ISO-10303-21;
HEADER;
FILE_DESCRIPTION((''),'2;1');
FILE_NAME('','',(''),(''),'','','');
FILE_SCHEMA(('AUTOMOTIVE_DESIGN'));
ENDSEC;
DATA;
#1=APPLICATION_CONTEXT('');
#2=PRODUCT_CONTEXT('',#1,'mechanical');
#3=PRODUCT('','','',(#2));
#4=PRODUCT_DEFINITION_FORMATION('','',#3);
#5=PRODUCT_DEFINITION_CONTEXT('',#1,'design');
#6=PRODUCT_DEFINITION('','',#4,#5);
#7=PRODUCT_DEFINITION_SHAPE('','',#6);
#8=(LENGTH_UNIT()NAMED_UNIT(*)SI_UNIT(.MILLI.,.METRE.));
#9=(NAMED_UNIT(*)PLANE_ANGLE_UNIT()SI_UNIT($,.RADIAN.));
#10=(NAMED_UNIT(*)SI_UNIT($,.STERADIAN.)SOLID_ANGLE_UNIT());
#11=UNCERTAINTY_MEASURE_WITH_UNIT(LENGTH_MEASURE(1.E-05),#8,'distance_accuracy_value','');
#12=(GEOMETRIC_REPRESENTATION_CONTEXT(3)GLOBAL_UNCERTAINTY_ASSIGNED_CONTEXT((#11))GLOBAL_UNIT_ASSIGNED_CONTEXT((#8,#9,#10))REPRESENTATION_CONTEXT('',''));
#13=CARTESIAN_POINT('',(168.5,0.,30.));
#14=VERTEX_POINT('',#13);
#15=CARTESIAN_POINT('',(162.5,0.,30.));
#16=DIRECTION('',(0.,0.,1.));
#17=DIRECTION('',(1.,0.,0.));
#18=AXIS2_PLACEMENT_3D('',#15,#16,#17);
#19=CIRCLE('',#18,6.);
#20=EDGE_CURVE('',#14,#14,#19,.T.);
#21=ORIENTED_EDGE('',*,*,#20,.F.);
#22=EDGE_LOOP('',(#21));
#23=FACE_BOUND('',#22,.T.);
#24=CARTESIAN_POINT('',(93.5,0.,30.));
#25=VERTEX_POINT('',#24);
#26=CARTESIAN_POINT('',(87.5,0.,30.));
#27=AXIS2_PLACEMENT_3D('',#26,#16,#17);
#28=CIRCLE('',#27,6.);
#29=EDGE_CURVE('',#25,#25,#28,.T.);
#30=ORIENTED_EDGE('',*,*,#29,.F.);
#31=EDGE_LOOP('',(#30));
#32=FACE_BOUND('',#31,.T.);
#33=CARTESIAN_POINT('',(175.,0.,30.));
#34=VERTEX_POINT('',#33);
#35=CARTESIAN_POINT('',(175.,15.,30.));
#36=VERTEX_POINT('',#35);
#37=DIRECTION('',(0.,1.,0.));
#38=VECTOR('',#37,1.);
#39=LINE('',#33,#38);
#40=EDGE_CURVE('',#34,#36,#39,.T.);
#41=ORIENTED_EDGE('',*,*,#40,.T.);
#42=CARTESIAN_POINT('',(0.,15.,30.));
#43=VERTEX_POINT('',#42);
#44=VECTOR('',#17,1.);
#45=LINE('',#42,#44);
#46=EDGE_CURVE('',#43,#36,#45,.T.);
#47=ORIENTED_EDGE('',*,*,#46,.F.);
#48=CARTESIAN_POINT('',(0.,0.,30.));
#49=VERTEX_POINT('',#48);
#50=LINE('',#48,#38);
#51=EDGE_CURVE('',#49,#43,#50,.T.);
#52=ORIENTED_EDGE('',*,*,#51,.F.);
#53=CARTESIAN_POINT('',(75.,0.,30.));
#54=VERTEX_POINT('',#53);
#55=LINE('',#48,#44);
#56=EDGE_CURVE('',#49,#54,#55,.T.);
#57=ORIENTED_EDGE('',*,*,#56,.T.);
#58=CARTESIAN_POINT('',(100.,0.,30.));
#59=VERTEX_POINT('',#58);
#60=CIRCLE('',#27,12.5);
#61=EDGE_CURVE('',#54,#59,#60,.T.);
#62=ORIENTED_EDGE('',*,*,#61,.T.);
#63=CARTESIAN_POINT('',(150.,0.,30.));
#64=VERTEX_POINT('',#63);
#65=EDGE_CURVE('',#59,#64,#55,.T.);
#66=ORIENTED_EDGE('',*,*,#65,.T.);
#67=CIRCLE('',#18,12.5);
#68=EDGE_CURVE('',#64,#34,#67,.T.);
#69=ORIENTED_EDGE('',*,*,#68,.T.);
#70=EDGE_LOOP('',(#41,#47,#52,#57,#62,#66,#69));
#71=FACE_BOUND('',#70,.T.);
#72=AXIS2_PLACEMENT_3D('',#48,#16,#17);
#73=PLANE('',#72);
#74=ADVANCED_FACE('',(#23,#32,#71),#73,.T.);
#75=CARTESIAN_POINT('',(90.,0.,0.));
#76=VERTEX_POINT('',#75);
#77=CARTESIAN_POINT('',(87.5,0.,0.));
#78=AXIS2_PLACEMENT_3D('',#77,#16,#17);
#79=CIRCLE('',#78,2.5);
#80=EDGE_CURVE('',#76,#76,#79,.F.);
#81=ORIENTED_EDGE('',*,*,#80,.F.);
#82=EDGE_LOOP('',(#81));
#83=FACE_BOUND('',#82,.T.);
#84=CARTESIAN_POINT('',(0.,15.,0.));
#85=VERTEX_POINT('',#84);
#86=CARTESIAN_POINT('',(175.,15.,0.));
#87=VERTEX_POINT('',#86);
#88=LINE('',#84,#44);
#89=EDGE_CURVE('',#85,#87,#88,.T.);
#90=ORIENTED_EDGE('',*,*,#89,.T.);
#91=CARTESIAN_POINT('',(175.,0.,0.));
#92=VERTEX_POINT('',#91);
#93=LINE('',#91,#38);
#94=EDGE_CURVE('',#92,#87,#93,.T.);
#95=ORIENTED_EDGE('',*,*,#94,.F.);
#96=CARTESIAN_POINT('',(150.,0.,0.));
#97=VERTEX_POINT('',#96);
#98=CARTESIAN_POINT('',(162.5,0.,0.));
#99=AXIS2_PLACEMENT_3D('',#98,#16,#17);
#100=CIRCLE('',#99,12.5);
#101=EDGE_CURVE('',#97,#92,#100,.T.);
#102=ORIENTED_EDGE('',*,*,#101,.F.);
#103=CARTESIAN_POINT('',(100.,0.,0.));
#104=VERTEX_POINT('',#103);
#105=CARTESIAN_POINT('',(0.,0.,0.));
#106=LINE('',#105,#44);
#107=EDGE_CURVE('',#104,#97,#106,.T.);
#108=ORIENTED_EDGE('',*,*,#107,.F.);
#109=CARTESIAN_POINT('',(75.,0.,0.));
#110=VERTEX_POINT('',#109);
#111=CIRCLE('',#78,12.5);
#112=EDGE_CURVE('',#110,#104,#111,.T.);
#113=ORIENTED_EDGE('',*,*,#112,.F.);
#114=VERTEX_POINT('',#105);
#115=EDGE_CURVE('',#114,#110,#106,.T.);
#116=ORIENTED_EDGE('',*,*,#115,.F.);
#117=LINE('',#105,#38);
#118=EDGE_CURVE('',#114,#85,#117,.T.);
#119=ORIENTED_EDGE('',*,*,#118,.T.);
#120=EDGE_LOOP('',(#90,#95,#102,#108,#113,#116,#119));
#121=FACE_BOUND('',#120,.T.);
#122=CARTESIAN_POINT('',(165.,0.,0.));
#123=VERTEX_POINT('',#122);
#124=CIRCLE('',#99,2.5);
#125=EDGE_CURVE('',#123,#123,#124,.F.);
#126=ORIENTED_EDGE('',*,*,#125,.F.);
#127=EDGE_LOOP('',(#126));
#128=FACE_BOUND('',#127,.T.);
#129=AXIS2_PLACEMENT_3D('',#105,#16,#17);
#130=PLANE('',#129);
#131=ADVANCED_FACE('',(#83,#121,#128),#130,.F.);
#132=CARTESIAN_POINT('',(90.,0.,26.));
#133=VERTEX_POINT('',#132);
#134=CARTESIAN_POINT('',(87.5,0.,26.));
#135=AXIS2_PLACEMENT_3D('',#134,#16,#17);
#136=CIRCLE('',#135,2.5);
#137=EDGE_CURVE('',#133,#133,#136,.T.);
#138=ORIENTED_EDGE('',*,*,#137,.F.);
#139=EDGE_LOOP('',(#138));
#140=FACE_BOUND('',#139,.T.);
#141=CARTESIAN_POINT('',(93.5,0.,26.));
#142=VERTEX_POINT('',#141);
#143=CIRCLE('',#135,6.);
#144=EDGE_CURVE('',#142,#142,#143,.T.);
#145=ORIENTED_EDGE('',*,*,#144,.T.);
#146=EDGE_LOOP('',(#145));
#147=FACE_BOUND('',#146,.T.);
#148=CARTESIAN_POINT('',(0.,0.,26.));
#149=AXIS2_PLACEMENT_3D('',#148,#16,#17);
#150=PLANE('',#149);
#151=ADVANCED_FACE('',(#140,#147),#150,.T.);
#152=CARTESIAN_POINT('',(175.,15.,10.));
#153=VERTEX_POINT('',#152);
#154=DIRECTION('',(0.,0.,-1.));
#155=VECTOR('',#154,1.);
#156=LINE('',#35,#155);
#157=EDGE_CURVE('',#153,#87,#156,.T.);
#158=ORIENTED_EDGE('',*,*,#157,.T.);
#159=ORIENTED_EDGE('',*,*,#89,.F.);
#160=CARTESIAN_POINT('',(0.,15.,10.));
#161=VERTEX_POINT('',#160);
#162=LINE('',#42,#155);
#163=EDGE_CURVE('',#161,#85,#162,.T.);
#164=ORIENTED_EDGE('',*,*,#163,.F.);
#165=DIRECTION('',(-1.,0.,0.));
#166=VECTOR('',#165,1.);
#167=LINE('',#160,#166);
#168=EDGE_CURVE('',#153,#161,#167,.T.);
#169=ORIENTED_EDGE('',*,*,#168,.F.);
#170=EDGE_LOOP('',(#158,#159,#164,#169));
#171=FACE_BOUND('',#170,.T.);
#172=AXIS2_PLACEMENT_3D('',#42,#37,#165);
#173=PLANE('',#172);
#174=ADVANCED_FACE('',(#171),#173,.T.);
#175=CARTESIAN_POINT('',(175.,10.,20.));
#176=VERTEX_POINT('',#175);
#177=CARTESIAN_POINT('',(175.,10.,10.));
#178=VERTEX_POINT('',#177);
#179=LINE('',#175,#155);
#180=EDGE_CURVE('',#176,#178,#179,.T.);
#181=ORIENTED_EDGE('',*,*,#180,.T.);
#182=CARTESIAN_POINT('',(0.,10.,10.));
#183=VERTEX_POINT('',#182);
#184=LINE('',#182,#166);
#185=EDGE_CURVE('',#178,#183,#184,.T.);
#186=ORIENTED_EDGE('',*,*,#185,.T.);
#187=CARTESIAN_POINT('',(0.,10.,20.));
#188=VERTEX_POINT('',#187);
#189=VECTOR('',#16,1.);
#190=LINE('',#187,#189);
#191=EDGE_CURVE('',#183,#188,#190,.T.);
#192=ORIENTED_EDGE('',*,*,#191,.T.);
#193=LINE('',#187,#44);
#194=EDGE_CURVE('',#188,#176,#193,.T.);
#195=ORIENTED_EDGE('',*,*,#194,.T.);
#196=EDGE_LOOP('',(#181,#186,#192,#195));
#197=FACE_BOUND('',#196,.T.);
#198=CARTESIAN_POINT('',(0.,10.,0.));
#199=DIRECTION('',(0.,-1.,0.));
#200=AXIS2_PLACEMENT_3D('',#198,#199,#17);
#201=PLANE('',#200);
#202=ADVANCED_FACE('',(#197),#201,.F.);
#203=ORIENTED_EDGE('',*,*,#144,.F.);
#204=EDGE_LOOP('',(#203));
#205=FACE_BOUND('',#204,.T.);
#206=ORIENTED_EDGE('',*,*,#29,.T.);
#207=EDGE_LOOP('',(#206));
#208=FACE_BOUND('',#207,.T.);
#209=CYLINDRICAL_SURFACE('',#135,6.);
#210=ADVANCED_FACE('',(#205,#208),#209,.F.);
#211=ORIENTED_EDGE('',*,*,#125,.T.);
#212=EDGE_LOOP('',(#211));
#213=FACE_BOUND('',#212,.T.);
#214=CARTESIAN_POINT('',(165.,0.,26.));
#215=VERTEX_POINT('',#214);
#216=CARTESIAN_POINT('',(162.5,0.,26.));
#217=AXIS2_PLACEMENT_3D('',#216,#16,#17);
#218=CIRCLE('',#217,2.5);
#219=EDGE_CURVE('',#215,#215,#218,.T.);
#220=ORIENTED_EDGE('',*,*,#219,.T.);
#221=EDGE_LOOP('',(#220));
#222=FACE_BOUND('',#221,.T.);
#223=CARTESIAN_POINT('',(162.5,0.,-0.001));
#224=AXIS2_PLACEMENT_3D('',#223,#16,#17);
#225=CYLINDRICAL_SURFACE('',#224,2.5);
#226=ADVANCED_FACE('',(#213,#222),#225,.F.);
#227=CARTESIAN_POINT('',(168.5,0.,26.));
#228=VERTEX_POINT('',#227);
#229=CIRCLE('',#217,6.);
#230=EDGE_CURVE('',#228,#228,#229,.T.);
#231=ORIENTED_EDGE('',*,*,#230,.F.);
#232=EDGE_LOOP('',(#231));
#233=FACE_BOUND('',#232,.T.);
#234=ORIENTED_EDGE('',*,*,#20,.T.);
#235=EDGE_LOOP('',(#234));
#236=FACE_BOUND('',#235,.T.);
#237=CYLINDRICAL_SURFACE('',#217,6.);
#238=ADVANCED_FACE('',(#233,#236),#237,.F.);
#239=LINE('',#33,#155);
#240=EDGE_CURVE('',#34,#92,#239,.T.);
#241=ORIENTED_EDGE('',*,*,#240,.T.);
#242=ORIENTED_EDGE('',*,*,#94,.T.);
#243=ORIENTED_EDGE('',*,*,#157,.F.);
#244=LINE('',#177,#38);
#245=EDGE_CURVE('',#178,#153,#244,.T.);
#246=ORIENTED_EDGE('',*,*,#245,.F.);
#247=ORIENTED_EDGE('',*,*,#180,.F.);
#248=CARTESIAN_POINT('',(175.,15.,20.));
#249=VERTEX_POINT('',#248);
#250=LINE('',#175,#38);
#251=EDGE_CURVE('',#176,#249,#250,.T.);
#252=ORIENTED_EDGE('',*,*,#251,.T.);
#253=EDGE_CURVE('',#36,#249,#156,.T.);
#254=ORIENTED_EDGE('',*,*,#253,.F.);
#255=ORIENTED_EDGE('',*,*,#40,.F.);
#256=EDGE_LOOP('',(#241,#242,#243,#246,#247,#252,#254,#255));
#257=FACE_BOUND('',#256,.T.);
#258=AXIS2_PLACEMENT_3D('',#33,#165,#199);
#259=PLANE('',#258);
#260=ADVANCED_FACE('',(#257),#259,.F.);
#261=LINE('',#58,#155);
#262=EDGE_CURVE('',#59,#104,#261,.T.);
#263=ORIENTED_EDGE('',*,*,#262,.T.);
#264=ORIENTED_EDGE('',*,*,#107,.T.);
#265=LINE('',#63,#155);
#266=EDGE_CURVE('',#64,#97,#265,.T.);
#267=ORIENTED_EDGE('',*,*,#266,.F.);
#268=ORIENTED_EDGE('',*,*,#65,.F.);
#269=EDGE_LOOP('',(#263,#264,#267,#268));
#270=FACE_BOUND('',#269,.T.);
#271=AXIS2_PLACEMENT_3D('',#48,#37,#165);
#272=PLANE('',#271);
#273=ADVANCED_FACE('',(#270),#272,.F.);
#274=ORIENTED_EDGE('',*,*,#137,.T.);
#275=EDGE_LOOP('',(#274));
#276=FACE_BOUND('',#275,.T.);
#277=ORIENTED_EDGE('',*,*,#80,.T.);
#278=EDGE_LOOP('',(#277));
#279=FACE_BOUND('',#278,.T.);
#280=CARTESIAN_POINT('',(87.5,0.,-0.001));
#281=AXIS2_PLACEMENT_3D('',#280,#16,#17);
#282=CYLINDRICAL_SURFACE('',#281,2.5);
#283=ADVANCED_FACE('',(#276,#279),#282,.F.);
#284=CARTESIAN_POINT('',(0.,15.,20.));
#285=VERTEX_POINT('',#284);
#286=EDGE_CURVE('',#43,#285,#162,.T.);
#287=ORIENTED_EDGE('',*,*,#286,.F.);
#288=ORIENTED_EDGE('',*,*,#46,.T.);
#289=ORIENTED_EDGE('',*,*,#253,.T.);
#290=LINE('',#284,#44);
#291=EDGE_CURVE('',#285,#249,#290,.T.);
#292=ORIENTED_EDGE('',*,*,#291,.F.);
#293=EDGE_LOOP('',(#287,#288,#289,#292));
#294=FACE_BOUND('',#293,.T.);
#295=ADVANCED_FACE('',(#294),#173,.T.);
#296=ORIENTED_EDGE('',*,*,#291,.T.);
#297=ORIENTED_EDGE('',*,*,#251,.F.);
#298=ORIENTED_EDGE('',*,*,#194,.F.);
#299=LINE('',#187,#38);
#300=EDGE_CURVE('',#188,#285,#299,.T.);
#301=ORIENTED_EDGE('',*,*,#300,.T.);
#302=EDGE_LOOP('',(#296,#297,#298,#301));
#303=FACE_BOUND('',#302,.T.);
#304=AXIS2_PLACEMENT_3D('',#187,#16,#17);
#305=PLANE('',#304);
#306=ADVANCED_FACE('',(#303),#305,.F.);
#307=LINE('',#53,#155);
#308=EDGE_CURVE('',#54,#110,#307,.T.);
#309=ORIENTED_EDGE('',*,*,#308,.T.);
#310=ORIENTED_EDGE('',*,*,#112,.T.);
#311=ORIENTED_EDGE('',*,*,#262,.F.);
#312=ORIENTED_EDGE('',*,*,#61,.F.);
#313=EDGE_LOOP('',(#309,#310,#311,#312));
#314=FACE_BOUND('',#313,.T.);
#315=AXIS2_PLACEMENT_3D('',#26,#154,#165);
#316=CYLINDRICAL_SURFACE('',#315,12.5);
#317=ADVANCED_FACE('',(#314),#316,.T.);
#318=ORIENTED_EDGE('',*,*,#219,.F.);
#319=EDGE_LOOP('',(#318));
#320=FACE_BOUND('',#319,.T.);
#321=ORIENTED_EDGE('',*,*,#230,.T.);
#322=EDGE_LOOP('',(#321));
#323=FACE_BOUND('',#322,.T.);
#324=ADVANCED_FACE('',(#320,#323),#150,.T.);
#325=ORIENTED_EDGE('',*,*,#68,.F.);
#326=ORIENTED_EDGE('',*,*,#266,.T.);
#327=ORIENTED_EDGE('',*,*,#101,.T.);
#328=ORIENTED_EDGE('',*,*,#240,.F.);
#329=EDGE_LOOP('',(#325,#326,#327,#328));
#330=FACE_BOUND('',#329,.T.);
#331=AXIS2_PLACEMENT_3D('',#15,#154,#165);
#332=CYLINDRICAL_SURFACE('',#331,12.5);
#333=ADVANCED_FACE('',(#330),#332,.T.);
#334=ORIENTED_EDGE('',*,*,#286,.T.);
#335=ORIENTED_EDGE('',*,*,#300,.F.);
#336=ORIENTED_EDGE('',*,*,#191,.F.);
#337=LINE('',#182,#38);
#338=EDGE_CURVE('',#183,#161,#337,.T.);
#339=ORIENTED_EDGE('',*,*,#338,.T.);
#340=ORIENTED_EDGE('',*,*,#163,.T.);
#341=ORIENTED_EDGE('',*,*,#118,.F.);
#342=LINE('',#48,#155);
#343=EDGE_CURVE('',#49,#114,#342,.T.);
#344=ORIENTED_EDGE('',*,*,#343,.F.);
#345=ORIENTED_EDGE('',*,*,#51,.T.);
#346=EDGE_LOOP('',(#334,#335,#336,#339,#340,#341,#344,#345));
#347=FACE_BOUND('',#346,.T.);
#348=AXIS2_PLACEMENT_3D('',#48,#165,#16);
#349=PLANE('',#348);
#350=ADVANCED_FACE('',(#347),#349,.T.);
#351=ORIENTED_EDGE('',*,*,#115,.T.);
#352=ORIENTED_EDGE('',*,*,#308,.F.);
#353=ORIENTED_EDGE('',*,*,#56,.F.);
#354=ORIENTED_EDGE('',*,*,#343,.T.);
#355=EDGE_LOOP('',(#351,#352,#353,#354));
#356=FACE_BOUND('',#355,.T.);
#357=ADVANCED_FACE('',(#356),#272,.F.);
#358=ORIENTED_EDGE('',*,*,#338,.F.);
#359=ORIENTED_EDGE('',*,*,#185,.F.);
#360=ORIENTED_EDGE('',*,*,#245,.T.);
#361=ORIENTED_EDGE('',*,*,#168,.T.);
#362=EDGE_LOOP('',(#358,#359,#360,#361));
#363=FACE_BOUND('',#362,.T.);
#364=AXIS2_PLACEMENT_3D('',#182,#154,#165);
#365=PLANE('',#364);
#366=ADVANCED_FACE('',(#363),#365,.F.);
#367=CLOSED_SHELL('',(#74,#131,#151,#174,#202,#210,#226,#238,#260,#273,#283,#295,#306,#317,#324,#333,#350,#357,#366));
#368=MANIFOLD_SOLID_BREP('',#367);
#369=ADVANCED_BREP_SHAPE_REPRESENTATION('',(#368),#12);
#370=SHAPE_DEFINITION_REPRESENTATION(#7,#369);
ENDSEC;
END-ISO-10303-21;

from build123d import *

# Parameters (mm, degrees)
BOSS_EXTRUDE1_DEPTH = 30
CUT_EXTRUDE2_REACH  = 180.185
SKETCH2_R           = 2.5
SKETCH2_3_R         = 6
SKETCH2_3_R_2       = 2.5
CUT_EXTRUDE3_DEPTH  = 4
SKETCH3_W           = 175
SKETCH3_H           = 10
CUT_EXTRUDE4_DEPTH  = 5


with BuildPart() as part:
    # Sketch1 → Boss-Extrude1 (new body)
    with BuildSketch(Plane.XY):
        with BuildLine():
            Line((0, 0), (75, 0))
            ThreePointArc((75, 0), (87.5, -12.5), (100, 0))
            Line((100, 0), (150, 0))
            ThreePointArc((150, 0), (162.5, -12.5), (175, 0))
            Line((175, 0), (175, 15))
            Line((175, 15), (0, 15))
            Line((0, 15), (0, 0))
        make_face()
    extrude(amount=BOSS_EXTRUDE1_DEPTH)

    # Sketch2 → Cut-Extrude2 (cut, up to next)
    with BuildSketch(Plane.XY.offset(30), mode=Mode.PRIVATE) as cut_extrude2_sk1:
        with Locations((87.5, 0)):
            Circle(SKETCH2_R)
    cut_extrude2_tool1 = extrude(cut_extrude2_sk1.sketch, amount=-CUT_EXTRUDE2_REACH, mode=Mode.PRIVATE) & part.part
    # Sketch2 → Cut-Extrude2 (cut, up to next)
    with BuildSketch(Plane.XY.offset(30), mode=Mode.PRIVATE) as cut_extrude2_sk2:
        with Locations((162.5, 0)):
            Circle(SKETCH2_R)
    cut_extrude2_tool2 = extrude(cut_extrude2_sk2.sketch, amount=-CUT_EXTRUDE2_REACH, mode=Mode.PRIVATE) & part.part
    add(cut_extrude2_tool1.solids().sort_by_distance((87.5, 0, 30))[0], mode=Mode.SUBTRACT)
    add(cut_extrude2_tool2.solids().sort_by_distance((162.5, 0, 30))[0], mode=Mode.SUBTRACT)

    # Sketch2<3> → Cut-Extrude3 (cut)
    # profile 1 of 2: a face of its own
    with BuildSketch(Plane.XY.offset(30)):
        with Locations((87.5, 0)):
            Circle(SKETCH2_3_R)
        with Locations((87.5, 0)):
            Circle(SKETCH2_3_R_2, mode=Mode.SUBTRACT)
    # profile 2 of 2: a face of its own
    with BuildSketch(Plane.XY.offset(30)):
        with Locations((162.5, 0)):
            Circle(SKETCH2_3_R)
        with Locations((162.5, 0)):
            Circle(SKETCH2_3_R_2, mode=Mode.SUBTRACT)
    extrude(amount=-CUT_EXTRUDE3_DEPTH, mode=Mode.SUBTRACT)

    # Sketch3 → Cut-Extrude4 (cut)
    with BuildSketch(Plane(origin=(0, 15, 0), x_dir=(1, 0, 0), z_dir=(0, 1, 0))):
        with Locations((87.5, -15)):
            Rectangle(SKETCH3_W, SKETCH3_H)
    extrude(amount=-CUT_EXTRUDE4_DEPTH, mode=Mode.SUBTRACT)


solid = part.part
